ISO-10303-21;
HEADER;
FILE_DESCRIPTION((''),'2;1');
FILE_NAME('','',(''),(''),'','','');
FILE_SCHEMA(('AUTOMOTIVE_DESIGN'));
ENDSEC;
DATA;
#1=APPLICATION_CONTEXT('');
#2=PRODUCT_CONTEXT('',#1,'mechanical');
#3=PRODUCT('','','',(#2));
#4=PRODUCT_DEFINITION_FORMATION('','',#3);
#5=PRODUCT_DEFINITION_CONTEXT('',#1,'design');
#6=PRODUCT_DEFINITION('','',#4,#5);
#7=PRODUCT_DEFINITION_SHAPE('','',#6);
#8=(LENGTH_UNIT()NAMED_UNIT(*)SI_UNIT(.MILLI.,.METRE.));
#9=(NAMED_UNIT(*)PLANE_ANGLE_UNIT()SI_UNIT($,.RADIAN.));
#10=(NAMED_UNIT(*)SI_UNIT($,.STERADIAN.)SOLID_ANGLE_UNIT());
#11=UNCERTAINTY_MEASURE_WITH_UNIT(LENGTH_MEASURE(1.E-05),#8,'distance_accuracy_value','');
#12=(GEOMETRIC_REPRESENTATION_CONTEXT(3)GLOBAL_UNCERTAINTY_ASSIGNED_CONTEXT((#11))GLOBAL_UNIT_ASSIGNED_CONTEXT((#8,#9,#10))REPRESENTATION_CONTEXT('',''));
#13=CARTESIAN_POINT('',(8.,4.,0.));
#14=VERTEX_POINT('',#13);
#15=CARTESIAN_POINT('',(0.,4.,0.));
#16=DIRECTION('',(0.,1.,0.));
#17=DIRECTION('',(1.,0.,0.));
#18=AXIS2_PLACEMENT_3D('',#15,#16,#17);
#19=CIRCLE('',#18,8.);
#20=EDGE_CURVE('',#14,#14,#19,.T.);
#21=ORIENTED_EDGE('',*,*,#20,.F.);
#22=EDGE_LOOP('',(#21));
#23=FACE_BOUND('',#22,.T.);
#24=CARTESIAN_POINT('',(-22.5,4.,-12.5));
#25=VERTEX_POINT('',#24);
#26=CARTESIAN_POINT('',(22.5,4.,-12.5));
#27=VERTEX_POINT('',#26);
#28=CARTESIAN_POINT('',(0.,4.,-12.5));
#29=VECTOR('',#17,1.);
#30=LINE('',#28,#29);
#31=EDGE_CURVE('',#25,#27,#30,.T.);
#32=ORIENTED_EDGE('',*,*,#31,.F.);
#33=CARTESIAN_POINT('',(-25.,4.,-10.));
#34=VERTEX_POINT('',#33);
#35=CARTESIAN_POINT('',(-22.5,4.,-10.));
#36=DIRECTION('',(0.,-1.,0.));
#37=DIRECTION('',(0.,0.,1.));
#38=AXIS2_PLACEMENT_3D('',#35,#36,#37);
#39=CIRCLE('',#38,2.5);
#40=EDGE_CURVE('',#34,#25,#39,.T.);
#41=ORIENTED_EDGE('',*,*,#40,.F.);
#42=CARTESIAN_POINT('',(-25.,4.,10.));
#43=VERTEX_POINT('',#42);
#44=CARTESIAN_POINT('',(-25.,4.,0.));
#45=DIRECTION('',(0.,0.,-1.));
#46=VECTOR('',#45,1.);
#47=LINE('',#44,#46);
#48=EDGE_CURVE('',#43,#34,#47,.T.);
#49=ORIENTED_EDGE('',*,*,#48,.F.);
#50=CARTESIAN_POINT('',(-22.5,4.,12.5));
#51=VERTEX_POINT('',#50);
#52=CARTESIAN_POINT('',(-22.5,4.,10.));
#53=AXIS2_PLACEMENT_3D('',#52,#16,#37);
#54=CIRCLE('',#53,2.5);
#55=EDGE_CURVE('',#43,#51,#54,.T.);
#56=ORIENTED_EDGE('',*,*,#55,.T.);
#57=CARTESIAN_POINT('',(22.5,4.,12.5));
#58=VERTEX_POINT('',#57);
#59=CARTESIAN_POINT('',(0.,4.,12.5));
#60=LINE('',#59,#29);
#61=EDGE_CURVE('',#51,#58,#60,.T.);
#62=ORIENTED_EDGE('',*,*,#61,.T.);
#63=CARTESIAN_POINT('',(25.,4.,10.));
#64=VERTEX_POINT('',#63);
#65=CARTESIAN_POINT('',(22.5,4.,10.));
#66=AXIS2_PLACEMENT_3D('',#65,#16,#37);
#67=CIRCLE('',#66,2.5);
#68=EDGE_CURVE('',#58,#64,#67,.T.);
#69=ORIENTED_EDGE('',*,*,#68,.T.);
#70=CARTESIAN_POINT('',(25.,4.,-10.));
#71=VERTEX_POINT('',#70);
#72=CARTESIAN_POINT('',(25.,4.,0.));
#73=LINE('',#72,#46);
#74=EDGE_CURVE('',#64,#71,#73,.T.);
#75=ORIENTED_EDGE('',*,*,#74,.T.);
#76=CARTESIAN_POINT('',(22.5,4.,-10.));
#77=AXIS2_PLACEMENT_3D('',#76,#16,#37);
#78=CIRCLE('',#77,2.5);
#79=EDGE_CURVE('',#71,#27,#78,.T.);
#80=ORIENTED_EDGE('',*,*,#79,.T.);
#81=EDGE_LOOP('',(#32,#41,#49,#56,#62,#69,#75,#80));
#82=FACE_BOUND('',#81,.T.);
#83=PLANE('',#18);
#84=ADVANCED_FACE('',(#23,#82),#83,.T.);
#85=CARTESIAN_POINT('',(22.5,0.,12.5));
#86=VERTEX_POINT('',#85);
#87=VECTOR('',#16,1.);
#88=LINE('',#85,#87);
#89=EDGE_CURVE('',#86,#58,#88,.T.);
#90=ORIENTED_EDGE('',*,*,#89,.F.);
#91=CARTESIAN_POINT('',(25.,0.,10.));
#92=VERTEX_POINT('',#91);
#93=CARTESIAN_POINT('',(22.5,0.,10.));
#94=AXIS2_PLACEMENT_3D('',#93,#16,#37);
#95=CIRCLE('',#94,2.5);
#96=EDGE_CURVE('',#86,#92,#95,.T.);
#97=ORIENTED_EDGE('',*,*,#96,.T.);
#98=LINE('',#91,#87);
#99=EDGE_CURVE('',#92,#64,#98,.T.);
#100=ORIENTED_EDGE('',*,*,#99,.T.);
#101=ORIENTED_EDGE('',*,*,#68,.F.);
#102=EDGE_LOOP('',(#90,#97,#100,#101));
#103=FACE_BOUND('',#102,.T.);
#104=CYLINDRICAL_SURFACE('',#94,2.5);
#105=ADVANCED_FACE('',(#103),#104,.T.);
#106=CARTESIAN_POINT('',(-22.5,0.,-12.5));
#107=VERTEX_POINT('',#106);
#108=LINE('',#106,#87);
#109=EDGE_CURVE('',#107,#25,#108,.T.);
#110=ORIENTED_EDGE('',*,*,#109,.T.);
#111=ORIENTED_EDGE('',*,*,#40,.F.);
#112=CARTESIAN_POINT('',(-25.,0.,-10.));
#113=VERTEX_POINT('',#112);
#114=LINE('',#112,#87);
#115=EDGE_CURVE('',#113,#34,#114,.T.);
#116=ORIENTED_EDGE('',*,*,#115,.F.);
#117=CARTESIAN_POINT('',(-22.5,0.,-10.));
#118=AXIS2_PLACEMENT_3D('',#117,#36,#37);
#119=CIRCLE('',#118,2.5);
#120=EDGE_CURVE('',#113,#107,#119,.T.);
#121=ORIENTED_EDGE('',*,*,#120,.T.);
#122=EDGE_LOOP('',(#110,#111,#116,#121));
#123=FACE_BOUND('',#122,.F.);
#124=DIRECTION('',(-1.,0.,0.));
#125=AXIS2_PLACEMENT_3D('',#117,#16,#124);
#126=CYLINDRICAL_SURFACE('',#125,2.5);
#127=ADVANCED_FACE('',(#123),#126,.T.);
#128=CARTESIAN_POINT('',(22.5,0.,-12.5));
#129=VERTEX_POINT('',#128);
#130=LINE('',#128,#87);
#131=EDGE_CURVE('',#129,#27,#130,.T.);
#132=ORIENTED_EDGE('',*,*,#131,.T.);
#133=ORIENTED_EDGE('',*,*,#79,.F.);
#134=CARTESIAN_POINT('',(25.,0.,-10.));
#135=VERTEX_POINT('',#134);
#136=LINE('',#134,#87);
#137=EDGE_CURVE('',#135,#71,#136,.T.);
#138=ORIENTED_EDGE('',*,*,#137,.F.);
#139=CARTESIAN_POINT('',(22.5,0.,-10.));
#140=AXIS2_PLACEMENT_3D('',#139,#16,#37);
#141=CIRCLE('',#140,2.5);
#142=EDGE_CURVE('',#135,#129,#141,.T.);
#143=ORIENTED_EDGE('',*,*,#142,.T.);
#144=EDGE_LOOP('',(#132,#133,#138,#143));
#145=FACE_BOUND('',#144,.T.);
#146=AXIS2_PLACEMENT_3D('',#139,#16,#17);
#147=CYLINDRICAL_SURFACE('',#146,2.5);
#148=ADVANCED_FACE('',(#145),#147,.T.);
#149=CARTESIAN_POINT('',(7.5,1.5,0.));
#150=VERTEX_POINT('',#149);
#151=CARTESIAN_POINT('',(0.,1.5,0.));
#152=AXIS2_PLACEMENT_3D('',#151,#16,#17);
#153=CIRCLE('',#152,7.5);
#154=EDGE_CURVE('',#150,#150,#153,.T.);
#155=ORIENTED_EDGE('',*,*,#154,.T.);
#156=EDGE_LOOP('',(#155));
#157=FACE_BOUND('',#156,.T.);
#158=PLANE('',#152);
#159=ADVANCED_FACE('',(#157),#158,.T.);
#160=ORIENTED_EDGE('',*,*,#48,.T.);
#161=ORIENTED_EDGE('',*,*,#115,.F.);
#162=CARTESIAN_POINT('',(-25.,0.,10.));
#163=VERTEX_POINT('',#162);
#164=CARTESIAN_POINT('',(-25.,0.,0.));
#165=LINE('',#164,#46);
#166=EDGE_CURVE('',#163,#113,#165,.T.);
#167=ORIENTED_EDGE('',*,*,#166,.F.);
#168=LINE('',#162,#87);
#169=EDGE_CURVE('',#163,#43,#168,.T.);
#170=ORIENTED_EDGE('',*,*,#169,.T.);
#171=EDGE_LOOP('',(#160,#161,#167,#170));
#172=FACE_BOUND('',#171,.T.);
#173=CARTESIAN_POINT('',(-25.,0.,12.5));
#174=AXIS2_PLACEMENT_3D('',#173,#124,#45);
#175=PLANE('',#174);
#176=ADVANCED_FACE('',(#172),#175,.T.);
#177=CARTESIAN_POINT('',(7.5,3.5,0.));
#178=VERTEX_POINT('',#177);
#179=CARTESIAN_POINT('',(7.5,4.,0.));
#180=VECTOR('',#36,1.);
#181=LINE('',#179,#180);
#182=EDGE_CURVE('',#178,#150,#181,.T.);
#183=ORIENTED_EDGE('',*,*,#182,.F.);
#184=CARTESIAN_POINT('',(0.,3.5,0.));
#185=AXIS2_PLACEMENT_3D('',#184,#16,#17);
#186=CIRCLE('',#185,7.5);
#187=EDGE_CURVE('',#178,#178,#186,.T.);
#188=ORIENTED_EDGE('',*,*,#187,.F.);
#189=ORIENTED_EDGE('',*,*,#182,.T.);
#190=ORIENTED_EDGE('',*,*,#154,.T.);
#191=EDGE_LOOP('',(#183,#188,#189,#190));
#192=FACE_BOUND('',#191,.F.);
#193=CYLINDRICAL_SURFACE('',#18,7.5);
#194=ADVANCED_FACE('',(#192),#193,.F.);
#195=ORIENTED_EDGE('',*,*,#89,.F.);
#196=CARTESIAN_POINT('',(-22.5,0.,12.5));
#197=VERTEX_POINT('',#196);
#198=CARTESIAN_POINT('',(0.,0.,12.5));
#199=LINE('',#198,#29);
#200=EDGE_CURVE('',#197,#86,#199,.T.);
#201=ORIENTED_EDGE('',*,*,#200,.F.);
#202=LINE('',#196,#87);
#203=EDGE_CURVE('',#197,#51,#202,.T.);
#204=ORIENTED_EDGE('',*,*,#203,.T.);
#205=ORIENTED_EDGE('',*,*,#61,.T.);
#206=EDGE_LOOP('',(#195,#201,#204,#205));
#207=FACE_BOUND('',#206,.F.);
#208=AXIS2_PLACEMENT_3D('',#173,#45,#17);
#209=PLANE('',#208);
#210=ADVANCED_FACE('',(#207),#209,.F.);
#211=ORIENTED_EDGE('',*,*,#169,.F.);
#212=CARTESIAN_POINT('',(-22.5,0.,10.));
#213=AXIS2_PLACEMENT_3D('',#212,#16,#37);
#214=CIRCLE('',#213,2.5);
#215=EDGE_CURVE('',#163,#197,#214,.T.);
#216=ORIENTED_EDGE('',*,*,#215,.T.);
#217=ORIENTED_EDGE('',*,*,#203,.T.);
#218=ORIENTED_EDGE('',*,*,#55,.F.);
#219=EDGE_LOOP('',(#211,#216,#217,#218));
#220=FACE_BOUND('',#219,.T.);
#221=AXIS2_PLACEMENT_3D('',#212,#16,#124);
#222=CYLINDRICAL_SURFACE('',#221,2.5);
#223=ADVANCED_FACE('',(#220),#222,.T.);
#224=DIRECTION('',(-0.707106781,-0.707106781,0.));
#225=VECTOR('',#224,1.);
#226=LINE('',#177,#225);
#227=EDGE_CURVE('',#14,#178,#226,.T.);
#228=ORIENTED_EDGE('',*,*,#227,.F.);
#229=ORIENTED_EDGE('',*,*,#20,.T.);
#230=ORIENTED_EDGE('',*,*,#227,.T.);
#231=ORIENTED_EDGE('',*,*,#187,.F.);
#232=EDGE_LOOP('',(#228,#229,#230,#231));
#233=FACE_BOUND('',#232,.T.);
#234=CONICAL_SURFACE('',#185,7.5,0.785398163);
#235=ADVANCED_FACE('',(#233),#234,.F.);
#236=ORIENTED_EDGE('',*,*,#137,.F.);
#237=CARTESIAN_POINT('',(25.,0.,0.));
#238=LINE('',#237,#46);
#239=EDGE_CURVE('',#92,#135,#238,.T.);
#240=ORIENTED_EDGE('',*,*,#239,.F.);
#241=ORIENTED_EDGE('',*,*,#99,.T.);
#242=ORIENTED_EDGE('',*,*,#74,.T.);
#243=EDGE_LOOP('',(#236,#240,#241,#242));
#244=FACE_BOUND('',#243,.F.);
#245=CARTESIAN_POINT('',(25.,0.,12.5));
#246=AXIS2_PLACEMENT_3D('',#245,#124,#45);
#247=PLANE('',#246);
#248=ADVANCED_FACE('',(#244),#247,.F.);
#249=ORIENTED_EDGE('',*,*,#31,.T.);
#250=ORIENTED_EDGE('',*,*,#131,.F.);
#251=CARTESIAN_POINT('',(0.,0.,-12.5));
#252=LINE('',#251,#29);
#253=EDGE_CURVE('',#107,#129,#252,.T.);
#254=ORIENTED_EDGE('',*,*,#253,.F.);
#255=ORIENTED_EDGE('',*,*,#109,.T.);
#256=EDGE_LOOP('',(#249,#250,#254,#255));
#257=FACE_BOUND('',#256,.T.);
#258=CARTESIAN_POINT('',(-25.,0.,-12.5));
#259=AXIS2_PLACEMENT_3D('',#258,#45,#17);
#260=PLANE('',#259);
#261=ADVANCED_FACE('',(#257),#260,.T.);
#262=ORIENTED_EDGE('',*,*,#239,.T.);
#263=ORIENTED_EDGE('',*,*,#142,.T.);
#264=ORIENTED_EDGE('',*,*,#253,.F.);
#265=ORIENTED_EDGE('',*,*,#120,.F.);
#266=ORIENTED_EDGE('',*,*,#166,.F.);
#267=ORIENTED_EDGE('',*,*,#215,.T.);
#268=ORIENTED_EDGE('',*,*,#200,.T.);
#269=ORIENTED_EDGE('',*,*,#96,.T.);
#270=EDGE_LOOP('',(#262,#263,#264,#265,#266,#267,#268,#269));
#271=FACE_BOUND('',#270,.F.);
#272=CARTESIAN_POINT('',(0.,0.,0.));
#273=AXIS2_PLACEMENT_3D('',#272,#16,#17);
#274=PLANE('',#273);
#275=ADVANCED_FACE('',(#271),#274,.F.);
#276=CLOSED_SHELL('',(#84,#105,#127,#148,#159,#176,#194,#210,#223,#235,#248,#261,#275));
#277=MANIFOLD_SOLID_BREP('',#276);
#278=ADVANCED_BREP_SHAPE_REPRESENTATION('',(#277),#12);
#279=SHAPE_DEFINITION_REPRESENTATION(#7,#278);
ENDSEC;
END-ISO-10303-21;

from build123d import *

# Parameters (mm, degrees)
SKETCH2_W           = 50
SKETCH2_H           = 25
BOSS_EXTRUDE1_DEPTH = 4
FILLET1_R           = 2.5
SKETCH3_R           = 7.5
CUT_EXTRUDE1_DEPTH  = 2.5
CHAMFER1_SIZE       = 0.5


with BuildPart() as part:
    # Sketch2 → Boss-Extrude1 (new body)
    with BuildSketch(Plane(origin=(0, 0, 0), x_dir=(1, 0, 0), z_dir=(0, 1, 0))):
        Rectangle(SKETCH2_W, SKETCH2_H)
    extrude(amount=BOSS_EXTRUDE1_DEPTH)

    # Fillet1
    fillet1_edges = [part.edges().sort_by_distance(p)[0] for p in [
        (25, 2, 12.5),
        (-25, 2, 12.5),
        (-25, 2, -12.5),
        (25, 2, -12.5),
    ]]
    fillet(fillet1_edges, radius=FILLET1_R)

    # Sketch3 → Cut-Extrude1 (cut)
    with BuildSketch(Plane(origin=(0, 4, 0), x_dir=(1, 0, 0), z_dir=(0, 1, 0))):
        Circle(SKETCH3_R)
    extrude(amount=-CUT_EXTRUDE1_DEPTH, mode=Mode.SUBTRACT)

    # Chamfer1
    chamfer1_edges = [part.edges().sort_by_distance(p)[0] for p in [
        (-7.5, 4, 0),
    ]]
    chamfer(chamfer1_edges, length=CHAMFER1_SIZE)


solid = part.part
